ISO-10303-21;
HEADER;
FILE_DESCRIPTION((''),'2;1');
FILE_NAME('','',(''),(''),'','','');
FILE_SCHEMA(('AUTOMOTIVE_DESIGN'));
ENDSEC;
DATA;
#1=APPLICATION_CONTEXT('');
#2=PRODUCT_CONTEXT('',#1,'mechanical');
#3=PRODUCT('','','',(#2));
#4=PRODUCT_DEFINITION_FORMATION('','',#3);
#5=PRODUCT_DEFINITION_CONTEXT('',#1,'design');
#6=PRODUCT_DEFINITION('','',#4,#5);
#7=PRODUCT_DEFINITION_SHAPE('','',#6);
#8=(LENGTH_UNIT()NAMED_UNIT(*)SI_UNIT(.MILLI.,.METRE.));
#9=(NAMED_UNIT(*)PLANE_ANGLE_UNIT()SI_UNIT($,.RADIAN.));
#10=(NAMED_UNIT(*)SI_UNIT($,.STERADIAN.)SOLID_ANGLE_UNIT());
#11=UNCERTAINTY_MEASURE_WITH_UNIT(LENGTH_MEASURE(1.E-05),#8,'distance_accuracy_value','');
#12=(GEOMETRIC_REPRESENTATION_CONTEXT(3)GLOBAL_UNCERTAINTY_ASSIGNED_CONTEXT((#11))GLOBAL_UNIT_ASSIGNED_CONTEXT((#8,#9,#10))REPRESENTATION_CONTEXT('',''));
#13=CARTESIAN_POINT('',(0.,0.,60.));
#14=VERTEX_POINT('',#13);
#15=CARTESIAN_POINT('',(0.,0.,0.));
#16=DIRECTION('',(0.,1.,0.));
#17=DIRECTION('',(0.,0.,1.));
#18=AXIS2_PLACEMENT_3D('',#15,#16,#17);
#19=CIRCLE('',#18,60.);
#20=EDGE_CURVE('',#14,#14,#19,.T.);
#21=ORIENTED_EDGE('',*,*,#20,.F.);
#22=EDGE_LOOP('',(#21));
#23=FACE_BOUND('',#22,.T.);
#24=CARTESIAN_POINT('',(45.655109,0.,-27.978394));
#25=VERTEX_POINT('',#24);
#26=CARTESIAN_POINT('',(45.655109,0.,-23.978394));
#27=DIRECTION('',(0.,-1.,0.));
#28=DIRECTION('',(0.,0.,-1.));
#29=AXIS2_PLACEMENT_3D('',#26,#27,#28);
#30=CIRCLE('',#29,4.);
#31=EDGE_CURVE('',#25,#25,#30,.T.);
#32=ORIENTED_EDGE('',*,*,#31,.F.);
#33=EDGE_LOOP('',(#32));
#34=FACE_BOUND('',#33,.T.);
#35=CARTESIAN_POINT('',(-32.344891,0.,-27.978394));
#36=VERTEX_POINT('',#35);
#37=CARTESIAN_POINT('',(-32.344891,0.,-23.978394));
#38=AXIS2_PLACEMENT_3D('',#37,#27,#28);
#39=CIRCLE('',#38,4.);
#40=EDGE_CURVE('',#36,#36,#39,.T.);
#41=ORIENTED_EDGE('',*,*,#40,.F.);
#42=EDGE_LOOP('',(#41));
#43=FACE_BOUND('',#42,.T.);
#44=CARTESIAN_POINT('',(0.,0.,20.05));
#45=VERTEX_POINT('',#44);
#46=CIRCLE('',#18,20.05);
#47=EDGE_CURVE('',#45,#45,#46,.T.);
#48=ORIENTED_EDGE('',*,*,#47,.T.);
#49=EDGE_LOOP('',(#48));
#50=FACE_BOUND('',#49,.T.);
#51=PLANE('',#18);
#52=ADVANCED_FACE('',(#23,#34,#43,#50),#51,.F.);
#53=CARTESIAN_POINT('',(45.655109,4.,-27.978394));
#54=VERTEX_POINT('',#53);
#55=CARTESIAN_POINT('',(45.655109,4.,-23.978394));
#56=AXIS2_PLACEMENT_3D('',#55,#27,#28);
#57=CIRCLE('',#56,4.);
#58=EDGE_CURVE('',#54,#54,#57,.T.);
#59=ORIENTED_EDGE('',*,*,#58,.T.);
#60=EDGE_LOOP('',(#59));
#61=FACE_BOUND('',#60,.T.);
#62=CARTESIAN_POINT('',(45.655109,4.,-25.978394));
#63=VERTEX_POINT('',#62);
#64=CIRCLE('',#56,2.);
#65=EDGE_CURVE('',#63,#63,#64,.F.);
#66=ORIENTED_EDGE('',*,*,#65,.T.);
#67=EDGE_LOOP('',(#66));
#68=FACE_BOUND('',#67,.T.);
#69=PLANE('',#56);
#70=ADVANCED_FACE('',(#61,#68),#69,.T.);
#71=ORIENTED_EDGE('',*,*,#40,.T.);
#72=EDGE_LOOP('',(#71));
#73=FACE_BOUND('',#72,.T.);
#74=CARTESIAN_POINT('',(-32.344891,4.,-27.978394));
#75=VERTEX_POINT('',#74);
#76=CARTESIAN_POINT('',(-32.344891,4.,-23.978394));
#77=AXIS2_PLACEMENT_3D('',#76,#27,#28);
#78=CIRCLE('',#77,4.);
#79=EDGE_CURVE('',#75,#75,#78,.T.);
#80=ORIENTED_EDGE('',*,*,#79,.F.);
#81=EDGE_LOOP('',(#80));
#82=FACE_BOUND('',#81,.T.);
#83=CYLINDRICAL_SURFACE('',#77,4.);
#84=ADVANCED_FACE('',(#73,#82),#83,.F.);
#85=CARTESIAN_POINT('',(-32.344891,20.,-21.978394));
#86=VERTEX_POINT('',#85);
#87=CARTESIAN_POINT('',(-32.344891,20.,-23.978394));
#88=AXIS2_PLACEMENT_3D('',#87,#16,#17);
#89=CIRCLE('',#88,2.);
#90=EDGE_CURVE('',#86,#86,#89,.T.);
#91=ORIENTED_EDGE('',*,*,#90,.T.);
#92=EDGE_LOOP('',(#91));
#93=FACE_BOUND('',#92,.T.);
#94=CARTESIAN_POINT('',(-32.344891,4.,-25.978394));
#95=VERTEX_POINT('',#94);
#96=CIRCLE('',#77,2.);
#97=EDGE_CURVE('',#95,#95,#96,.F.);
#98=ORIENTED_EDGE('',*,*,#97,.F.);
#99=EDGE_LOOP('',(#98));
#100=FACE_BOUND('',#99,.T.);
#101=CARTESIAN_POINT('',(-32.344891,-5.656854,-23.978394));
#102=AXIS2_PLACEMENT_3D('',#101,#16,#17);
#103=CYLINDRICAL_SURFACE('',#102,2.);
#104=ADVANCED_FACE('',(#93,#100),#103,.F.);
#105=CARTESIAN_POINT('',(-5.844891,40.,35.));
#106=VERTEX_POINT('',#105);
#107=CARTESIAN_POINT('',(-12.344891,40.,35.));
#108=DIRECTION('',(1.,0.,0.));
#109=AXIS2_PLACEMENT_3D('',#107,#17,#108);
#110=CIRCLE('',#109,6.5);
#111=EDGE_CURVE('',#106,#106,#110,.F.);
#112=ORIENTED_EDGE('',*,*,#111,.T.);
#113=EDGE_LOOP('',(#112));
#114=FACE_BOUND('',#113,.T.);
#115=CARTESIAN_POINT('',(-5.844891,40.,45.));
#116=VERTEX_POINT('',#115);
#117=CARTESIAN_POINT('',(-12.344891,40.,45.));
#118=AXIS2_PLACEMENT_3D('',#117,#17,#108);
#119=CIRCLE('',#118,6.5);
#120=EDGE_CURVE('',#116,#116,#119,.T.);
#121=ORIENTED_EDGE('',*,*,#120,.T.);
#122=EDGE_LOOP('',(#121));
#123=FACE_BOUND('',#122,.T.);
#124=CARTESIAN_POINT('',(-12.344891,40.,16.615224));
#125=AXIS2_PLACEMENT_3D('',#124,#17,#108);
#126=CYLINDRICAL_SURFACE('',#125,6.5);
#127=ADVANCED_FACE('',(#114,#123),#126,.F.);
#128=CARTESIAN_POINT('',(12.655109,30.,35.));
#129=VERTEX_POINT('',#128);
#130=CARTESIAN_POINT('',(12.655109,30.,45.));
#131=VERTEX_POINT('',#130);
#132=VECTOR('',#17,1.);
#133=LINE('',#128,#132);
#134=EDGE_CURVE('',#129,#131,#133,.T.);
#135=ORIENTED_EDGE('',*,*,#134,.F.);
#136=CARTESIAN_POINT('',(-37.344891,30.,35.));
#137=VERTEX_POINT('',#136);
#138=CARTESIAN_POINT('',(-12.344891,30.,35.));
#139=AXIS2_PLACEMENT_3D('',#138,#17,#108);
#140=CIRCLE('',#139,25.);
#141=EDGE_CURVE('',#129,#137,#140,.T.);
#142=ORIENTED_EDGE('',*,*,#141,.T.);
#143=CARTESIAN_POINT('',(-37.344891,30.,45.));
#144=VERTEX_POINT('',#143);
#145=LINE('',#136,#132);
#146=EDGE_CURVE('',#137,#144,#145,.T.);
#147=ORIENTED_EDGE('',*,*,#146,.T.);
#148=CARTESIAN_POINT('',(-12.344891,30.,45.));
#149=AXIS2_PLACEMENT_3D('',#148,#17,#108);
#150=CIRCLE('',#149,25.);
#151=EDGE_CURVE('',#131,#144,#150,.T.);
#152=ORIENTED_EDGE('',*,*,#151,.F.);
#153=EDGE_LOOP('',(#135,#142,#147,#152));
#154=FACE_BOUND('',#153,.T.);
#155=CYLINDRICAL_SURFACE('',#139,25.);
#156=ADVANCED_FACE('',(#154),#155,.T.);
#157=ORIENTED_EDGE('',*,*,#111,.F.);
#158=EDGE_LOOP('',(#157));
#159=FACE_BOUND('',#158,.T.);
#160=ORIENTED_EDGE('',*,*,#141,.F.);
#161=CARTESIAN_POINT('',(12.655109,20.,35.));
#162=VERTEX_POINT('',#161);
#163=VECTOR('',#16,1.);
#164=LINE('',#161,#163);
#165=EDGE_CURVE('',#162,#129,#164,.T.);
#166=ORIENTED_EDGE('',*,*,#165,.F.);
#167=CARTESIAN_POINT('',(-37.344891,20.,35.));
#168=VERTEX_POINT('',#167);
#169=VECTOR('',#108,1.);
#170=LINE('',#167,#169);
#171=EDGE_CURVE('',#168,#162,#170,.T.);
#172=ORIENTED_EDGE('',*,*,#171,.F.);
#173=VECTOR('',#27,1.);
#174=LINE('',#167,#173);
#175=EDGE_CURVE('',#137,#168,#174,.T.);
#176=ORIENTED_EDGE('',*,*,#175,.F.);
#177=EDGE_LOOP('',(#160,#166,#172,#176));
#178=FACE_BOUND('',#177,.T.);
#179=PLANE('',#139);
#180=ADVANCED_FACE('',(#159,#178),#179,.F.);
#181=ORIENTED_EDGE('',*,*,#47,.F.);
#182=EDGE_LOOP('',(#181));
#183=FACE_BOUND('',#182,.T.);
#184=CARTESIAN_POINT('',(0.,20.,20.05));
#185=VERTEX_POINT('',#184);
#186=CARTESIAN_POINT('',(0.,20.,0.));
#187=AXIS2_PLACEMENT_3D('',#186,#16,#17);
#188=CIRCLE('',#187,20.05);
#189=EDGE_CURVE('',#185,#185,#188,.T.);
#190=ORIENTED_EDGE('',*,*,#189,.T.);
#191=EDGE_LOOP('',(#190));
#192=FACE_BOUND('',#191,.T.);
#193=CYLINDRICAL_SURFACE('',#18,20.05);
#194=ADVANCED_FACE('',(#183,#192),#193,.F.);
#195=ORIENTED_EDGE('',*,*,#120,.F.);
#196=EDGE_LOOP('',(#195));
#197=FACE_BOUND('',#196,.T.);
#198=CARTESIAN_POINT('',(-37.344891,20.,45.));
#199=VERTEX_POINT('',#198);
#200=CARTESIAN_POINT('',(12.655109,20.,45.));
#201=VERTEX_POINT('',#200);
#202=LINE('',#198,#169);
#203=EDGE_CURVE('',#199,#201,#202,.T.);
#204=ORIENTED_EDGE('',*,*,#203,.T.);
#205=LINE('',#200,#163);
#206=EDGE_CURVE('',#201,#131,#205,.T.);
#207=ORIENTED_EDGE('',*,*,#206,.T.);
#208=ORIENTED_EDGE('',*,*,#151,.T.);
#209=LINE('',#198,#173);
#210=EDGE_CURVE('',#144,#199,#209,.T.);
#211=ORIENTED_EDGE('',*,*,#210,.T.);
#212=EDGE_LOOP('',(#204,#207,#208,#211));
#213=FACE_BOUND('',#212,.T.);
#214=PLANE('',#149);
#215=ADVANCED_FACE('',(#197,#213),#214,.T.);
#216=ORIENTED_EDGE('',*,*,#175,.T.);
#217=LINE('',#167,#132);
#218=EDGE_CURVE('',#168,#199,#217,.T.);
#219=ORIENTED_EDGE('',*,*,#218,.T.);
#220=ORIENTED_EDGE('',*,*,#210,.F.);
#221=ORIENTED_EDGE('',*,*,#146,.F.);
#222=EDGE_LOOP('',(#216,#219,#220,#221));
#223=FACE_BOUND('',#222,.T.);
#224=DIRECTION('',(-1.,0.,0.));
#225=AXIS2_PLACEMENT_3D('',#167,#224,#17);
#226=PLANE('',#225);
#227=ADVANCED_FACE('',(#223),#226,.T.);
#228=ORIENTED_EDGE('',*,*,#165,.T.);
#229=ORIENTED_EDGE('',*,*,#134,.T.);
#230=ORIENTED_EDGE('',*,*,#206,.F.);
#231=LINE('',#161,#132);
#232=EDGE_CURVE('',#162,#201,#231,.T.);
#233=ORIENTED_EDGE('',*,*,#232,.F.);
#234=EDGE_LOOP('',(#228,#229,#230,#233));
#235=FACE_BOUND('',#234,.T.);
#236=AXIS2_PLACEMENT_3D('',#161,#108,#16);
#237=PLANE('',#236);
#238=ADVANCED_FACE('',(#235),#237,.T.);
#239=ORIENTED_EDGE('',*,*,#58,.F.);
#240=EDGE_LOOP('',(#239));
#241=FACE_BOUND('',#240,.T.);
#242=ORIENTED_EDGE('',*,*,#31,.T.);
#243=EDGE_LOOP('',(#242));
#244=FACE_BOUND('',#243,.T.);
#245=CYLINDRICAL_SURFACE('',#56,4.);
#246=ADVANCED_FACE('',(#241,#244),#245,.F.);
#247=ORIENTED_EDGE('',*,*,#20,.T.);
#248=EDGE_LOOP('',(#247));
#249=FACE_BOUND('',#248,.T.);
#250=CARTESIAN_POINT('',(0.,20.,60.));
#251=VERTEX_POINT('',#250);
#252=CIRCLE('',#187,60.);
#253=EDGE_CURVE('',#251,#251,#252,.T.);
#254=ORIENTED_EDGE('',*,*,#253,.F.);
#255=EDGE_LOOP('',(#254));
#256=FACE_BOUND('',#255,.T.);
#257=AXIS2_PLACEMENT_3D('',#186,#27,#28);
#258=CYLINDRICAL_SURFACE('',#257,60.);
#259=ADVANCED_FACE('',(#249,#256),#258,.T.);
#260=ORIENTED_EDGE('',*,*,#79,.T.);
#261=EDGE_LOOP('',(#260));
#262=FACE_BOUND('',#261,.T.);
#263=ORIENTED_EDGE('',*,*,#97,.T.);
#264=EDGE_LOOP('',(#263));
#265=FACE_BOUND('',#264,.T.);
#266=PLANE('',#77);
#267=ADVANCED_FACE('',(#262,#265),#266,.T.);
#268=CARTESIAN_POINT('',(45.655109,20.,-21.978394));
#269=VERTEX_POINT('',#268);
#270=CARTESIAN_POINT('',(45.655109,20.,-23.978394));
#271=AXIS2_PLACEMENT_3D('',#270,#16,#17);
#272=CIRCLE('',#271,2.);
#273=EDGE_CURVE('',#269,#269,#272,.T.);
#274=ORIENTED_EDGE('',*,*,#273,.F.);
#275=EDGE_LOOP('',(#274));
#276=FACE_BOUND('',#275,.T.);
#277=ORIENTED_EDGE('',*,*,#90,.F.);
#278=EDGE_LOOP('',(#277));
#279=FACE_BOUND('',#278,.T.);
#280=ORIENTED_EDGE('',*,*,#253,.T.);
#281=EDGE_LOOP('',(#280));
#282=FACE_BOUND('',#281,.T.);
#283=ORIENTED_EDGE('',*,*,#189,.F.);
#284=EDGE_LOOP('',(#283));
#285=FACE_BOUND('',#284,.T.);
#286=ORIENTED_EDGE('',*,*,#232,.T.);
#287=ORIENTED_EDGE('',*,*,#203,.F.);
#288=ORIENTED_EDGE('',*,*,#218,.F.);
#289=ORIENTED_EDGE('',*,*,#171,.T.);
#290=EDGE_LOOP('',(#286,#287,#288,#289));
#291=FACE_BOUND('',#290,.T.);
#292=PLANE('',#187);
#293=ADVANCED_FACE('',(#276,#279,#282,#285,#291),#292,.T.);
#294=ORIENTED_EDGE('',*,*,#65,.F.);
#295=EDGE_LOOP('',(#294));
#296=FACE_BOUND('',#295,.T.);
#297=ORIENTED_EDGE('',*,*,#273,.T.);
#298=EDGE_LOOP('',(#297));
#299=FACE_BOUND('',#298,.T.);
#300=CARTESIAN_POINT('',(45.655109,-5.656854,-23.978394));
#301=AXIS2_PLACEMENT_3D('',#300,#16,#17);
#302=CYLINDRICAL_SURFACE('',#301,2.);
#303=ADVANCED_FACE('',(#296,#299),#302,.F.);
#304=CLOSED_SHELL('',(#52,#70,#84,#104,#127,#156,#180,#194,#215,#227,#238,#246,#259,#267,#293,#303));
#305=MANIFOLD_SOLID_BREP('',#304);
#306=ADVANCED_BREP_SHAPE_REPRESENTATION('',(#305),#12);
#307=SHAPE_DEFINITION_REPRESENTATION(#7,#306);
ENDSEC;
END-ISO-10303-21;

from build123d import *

# Parameters (mm, degrees)
SKETCH1_R           = 60
BOSS_EXTRUDE1_DEPTH = 20
BOSS_EXTRUDE2_DEPTH = 10
SKETCH6_R           = 20.05
CUT_EXTRUDE1_DEPTH  = 92.787798753
SKETCH8_R           = 6.5
CUT_EXTRUDE3_DEPTH  = 10
SKETCH9_R           = 2.000000002
CUT_EXTRUDE4_DEPTH  = 20
SKETCH10_R          = 3.999999996
CUT_EXTRUDE5_DEPTH  = 4


with BuildPart() as part:
    # Sketch1 → Boss-Extrude1 (new body)
    with BuildSketch(Plane(origin=(0, 0, 0), x_dir=(1, 0, 0), z_dir=(0, 1, 0))):
        with Locations(Location((0, 0, 0), (0, 0, 270))):
            Circle(SKETCH1_R)
    extrude(amount=BOSS_EXTRUDE1_DEPTH)

    # Sketch2 → Boss-Extrude2 (add)
    with BuildSketch(Plane.XY.offset(45)):
        with BuildLine():
            Line((-37.344891303, 20), (-37.344891303, 30))
            ThreePointArc((-37.344891303, 30), (-12.344891303, 55), (12.655108697, 30))
            Line((12.655108697, 30), (12.655108697, 20))
            Line((12.655108697, 20), (-37.344891303, 20))
        make_face()
    extrude(amount=-BOSS_EXTRUDE2_DEPTH)

    # Sketch6 → Cut-Extrude1 (cut, through all)
    with BuildSketch(Plane(origin=(0, 20, 0), x_dir=(1, 0, 0), z_dir=(0, 1, 0))):
        with Locations(Location((0, 0, 0), (0, 0, 270))):
            Circle(SKETCH6_R)
    extrude(amount=-CUT_EXTRUDE1_DEPTH, mode=Mode.SUBTRACT)

    # Sketch8 → Cut-Extrude3 (cut)
    with BuildSketch(Plane.XY.offset(45)):
        with Locations((-12.344891303, 40)):
            Circle(SKETCH8_R)
    extrude(amount=-CUT_EXTRUDE3_DEPTH, mode=Mode.SUBTRACT)

    # Sketch9 → Cut-Extrude4 (cut)
    with BuildSketch(Plane(origin=(0, 20, 0), x_dir=(1, 0, 0), z_dir=(0, 1, 0))):
        with Locations(Location((45.655108698, 23.978394329, 0), (0, 0, 270))):
            Circle(SKETCH9_R)
        with Locations(Location((-32.344891302, 23.978394329, 0), (0, 0, 270))):
            Circle(SKETCH9_R)
    extrude(amount=-CUT_EXTRUDE4_DEPTH, mode=Mode.SUBTRACT)

    # Sketch10 → Cut-Extrude5 (cut)
    with BuildSketch(Plane.XZ):
        with Locations(Location((45.655108698, -23.978394329, 0), (0, 0, 270))):
            Circle(SKETCH10_R)
        with Locations(Location((-32.344891302, -23.978394329, 0), (0, 0, 270))):
            Circle(SKETCH10_R)
    extrude(amount=-CUT_EXTRUDE5_DEPTH, mode=Mode.SUBTRACT)


solid = part.part
